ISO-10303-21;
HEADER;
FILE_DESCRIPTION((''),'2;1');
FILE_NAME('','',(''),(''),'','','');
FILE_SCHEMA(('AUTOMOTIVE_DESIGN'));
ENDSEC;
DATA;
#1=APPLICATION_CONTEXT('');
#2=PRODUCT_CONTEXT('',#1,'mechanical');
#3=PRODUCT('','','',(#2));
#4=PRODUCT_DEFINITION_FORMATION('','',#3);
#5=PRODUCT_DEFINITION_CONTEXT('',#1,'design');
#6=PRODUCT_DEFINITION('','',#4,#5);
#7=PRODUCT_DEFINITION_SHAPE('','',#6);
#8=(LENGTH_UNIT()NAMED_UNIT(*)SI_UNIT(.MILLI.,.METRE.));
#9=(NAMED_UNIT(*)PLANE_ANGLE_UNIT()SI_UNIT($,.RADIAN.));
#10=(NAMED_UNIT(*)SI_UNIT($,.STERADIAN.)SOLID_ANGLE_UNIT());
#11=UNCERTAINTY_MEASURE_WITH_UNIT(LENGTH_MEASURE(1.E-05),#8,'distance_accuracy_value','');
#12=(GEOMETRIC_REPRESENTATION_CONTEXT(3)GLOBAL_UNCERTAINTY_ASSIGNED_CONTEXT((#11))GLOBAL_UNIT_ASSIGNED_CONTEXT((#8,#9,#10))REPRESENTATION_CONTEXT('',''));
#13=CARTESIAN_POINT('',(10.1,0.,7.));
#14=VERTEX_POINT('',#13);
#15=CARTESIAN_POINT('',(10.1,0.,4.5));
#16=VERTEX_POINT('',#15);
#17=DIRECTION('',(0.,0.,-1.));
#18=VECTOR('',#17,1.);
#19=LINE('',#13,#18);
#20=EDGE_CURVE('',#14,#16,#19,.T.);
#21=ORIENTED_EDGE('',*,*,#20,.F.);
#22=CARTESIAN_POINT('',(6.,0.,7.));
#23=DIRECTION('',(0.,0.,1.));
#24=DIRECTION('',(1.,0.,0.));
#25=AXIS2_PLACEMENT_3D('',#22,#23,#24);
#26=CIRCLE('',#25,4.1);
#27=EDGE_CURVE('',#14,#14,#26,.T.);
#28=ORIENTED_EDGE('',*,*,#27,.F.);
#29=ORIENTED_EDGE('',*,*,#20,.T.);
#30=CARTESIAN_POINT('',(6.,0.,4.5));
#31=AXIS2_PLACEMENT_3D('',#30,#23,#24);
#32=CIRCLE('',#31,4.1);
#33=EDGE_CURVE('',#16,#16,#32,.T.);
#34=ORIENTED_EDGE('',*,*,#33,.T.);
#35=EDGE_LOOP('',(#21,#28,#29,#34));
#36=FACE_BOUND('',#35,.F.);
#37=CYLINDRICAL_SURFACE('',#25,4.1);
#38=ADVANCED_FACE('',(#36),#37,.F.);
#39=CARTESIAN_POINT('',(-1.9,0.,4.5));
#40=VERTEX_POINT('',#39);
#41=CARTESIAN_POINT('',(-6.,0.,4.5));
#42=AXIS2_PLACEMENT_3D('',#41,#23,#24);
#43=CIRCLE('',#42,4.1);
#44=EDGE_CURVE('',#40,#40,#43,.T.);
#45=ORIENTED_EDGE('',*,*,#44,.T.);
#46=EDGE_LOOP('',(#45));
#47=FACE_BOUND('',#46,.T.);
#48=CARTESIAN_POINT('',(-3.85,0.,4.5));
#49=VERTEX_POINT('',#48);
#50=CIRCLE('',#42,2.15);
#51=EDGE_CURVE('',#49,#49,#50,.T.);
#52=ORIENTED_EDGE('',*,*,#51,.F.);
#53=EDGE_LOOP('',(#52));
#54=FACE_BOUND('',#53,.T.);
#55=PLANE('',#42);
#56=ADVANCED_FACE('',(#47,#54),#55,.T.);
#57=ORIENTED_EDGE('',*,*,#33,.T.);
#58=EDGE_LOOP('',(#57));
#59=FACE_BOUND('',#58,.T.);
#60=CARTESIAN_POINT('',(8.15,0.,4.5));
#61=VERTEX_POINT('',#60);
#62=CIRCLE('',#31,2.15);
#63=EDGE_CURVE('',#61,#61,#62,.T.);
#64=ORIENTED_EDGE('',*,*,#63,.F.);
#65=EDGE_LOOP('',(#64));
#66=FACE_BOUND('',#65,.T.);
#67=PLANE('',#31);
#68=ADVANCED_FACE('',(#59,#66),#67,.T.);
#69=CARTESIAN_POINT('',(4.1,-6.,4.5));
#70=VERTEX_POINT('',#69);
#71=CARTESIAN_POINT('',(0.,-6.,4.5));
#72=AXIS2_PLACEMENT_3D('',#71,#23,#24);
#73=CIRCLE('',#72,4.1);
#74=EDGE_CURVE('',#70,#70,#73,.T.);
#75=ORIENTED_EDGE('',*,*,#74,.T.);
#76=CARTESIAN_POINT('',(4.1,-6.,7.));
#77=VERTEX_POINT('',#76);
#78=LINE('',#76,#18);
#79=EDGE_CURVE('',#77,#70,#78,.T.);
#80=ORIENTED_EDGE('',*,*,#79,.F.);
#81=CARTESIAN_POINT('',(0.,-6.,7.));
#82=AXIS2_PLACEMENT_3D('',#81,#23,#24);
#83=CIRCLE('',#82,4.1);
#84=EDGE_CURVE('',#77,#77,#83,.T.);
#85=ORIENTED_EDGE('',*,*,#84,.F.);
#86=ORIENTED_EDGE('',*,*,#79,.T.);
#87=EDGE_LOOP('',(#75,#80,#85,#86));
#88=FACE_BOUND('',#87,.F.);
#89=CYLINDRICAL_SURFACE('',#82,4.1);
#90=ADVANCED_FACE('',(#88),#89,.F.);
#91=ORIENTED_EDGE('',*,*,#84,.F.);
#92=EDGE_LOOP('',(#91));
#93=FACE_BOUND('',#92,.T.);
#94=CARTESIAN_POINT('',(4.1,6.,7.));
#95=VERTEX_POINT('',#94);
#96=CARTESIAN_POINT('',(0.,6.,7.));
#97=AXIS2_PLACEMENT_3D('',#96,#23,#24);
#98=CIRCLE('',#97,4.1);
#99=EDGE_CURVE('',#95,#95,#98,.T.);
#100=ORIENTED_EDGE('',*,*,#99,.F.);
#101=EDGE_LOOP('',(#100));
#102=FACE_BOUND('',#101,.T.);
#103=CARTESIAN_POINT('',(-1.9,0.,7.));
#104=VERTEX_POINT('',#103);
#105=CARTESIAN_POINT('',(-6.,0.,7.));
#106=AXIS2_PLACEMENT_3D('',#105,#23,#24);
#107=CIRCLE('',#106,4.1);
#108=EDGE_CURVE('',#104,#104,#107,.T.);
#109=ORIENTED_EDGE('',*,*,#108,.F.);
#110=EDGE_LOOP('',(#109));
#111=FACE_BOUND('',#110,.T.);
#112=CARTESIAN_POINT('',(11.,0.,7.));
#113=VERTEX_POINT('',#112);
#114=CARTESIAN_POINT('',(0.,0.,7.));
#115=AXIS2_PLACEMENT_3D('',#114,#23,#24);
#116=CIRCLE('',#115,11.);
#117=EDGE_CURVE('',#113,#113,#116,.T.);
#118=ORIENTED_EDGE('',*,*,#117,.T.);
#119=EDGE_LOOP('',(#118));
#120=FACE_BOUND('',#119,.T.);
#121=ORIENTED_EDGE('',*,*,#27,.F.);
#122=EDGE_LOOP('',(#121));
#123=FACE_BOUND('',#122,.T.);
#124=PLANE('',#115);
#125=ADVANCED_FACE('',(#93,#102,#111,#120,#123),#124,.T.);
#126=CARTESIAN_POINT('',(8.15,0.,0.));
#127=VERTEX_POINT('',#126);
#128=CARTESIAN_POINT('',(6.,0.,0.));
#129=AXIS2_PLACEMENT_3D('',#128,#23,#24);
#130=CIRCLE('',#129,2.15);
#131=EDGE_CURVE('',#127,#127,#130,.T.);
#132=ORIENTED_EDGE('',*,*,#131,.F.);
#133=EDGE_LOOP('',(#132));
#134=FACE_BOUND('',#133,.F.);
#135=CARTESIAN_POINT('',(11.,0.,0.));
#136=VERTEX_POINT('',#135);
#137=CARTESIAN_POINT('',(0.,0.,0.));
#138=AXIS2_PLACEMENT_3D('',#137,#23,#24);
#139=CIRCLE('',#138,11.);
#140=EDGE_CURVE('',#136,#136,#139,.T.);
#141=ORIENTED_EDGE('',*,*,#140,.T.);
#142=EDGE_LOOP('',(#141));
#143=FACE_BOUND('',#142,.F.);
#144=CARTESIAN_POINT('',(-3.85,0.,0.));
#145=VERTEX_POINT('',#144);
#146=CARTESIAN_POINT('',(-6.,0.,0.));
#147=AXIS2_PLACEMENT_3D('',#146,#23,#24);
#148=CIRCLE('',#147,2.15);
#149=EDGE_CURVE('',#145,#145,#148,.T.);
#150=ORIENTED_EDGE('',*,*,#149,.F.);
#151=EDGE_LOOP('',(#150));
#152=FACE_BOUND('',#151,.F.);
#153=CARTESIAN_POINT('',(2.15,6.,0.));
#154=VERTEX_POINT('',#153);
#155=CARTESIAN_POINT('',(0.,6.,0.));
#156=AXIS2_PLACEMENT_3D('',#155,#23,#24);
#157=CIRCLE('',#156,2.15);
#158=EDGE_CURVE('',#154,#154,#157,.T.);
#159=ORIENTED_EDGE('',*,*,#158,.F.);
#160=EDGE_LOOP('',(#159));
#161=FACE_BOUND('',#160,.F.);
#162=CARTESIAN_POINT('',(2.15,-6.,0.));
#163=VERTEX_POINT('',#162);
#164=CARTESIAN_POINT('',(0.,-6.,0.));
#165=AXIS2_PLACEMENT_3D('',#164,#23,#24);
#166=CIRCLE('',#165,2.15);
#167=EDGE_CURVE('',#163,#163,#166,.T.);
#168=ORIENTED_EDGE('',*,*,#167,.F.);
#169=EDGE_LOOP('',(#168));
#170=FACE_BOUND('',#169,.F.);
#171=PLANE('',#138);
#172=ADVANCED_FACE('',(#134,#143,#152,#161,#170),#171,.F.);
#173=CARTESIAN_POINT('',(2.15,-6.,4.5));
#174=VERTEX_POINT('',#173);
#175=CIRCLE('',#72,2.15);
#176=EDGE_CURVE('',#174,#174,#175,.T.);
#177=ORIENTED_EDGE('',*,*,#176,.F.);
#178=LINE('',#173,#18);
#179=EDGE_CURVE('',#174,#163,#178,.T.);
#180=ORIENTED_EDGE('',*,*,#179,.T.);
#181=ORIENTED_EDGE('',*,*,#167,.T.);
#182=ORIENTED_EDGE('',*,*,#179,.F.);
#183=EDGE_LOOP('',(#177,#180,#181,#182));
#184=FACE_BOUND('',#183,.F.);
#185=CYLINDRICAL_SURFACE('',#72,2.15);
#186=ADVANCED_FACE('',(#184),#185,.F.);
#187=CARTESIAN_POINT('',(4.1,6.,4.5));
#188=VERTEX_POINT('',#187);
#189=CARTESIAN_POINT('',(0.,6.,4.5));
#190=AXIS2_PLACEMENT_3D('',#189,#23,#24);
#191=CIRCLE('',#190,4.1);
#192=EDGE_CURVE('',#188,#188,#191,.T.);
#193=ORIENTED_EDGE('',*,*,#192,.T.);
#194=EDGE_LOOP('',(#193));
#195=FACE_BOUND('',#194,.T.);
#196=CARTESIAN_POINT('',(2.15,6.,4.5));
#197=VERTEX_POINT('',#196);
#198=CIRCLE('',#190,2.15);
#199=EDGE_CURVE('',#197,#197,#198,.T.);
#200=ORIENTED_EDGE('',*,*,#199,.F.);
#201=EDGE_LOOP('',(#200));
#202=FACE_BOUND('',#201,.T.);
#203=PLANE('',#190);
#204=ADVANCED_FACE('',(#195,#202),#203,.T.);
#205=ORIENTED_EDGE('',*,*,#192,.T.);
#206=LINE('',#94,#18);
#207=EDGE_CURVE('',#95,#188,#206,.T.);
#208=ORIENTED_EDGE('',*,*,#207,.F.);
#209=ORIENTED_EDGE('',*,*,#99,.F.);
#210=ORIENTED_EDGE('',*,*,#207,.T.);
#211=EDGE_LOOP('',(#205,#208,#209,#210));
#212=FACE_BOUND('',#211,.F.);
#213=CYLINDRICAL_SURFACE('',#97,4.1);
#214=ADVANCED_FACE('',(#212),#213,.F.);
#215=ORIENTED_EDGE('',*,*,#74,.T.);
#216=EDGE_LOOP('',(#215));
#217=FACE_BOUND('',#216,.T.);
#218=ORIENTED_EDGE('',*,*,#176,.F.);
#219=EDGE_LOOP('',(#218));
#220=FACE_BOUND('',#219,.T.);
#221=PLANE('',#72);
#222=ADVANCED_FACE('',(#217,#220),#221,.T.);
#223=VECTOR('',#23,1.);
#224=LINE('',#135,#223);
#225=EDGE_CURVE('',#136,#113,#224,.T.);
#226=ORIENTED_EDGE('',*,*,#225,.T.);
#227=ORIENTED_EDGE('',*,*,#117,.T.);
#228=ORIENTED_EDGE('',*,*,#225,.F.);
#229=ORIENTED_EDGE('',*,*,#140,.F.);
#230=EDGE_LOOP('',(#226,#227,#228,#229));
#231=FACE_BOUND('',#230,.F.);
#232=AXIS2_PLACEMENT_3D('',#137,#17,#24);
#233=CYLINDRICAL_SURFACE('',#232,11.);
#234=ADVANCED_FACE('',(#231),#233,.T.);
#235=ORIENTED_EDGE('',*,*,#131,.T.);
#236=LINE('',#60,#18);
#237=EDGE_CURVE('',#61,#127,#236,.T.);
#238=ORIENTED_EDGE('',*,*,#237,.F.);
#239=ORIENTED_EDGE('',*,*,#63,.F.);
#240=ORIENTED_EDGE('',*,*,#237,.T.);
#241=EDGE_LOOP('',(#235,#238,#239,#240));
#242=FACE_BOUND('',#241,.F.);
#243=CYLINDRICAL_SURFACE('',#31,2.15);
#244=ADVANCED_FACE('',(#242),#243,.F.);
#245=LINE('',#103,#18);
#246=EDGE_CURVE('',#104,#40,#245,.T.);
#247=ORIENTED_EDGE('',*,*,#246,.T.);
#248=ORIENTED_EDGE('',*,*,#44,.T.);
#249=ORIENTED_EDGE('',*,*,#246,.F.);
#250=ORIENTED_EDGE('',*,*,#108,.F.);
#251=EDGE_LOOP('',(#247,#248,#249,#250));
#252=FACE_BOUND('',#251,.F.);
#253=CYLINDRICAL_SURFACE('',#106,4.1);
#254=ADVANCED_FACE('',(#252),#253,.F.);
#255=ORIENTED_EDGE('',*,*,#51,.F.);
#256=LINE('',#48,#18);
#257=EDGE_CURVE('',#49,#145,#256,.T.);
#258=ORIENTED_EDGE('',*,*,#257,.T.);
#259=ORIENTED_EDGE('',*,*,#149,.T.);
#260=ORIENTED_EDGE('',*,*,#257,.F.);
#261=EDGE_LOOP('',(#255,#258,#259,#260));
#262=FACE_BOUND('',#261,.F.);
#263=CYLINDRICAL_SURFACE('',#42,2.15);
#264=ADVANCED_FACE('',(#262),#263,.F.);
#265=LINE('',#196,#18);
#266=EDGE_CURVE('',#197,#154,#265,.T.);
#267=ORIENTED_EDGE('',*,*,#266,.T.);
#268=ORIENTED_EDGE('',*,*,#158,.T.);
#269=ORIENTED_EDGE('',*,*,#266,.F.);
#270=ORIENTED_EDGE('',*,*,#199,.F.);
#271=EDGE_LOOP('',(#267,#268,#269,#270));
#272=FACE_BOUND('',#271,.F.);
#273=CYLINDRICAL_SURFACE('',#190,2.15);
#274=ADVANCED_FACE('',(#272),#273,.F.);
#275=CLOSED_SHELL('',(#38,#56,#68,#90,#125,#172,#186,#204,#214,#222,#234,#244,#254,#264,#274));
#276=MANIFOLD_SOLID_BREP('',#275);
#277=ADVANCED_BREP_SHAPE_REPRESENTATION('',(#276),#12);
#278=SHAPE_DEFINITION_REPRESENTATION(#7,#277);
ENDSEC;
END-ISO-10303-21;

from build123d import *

# Parameters (mm, degrees)
SKETCH1_R           = 11
BOSS_EXTRUDE1_DEPTH = 7
SKETCH2_R           = 4.1
CUT_EXTRUDE1_DEPTH  = 2.5
SKETCH3_R           = 2.15
CUT_EXTRUDE2_DEPTH  = 10


with BuildPart() as part:
    # Sketch1 → Boss-Extrude1 (new body)
    with BuildSketch(Plane.XY):
        Circle(SKETCH1_R)
    extrude(amount=BOSS_EXTRUDE1_DEPTH)

    # Sketch2 → Cut-Extrude1 (cut)
    with BuildSketch(Plane.XY.offset(7)):
        with Locations((0, 6)):
            Circle(SKETCH2_R)
        with Locations((6, 0)):
            Circle(SKETCH2_R)
        with Locations((0, -6)):
            Circle(SKETCH2_R)
        with Locations((-6, 0)):
            Circle(SKETCH2_R)
    extrude(amount=-CUT_EXTRUDE1_DEPTH, mode=Mode.SUBTRACT)

    # Sketch3 → Cut-Extrude2 (cut)
    with BuildSketch(Plane.XY.offset(4.5)):
        with Locations((0, -6)):
            Circle(SKETCH3_R)
        with Locations((-6, 0)):
            Circle(SKETCH3_R)
        with Locations((0, 6)):
            Circle(SKETCH3_R)
        with Locations((6, 0)):
            Circle(SKETCH3_R)
    extrude(amount=-CUT_EXTRUDE2_DEPTH, mode=Mode.SUBTRACT)


solid = part.part
